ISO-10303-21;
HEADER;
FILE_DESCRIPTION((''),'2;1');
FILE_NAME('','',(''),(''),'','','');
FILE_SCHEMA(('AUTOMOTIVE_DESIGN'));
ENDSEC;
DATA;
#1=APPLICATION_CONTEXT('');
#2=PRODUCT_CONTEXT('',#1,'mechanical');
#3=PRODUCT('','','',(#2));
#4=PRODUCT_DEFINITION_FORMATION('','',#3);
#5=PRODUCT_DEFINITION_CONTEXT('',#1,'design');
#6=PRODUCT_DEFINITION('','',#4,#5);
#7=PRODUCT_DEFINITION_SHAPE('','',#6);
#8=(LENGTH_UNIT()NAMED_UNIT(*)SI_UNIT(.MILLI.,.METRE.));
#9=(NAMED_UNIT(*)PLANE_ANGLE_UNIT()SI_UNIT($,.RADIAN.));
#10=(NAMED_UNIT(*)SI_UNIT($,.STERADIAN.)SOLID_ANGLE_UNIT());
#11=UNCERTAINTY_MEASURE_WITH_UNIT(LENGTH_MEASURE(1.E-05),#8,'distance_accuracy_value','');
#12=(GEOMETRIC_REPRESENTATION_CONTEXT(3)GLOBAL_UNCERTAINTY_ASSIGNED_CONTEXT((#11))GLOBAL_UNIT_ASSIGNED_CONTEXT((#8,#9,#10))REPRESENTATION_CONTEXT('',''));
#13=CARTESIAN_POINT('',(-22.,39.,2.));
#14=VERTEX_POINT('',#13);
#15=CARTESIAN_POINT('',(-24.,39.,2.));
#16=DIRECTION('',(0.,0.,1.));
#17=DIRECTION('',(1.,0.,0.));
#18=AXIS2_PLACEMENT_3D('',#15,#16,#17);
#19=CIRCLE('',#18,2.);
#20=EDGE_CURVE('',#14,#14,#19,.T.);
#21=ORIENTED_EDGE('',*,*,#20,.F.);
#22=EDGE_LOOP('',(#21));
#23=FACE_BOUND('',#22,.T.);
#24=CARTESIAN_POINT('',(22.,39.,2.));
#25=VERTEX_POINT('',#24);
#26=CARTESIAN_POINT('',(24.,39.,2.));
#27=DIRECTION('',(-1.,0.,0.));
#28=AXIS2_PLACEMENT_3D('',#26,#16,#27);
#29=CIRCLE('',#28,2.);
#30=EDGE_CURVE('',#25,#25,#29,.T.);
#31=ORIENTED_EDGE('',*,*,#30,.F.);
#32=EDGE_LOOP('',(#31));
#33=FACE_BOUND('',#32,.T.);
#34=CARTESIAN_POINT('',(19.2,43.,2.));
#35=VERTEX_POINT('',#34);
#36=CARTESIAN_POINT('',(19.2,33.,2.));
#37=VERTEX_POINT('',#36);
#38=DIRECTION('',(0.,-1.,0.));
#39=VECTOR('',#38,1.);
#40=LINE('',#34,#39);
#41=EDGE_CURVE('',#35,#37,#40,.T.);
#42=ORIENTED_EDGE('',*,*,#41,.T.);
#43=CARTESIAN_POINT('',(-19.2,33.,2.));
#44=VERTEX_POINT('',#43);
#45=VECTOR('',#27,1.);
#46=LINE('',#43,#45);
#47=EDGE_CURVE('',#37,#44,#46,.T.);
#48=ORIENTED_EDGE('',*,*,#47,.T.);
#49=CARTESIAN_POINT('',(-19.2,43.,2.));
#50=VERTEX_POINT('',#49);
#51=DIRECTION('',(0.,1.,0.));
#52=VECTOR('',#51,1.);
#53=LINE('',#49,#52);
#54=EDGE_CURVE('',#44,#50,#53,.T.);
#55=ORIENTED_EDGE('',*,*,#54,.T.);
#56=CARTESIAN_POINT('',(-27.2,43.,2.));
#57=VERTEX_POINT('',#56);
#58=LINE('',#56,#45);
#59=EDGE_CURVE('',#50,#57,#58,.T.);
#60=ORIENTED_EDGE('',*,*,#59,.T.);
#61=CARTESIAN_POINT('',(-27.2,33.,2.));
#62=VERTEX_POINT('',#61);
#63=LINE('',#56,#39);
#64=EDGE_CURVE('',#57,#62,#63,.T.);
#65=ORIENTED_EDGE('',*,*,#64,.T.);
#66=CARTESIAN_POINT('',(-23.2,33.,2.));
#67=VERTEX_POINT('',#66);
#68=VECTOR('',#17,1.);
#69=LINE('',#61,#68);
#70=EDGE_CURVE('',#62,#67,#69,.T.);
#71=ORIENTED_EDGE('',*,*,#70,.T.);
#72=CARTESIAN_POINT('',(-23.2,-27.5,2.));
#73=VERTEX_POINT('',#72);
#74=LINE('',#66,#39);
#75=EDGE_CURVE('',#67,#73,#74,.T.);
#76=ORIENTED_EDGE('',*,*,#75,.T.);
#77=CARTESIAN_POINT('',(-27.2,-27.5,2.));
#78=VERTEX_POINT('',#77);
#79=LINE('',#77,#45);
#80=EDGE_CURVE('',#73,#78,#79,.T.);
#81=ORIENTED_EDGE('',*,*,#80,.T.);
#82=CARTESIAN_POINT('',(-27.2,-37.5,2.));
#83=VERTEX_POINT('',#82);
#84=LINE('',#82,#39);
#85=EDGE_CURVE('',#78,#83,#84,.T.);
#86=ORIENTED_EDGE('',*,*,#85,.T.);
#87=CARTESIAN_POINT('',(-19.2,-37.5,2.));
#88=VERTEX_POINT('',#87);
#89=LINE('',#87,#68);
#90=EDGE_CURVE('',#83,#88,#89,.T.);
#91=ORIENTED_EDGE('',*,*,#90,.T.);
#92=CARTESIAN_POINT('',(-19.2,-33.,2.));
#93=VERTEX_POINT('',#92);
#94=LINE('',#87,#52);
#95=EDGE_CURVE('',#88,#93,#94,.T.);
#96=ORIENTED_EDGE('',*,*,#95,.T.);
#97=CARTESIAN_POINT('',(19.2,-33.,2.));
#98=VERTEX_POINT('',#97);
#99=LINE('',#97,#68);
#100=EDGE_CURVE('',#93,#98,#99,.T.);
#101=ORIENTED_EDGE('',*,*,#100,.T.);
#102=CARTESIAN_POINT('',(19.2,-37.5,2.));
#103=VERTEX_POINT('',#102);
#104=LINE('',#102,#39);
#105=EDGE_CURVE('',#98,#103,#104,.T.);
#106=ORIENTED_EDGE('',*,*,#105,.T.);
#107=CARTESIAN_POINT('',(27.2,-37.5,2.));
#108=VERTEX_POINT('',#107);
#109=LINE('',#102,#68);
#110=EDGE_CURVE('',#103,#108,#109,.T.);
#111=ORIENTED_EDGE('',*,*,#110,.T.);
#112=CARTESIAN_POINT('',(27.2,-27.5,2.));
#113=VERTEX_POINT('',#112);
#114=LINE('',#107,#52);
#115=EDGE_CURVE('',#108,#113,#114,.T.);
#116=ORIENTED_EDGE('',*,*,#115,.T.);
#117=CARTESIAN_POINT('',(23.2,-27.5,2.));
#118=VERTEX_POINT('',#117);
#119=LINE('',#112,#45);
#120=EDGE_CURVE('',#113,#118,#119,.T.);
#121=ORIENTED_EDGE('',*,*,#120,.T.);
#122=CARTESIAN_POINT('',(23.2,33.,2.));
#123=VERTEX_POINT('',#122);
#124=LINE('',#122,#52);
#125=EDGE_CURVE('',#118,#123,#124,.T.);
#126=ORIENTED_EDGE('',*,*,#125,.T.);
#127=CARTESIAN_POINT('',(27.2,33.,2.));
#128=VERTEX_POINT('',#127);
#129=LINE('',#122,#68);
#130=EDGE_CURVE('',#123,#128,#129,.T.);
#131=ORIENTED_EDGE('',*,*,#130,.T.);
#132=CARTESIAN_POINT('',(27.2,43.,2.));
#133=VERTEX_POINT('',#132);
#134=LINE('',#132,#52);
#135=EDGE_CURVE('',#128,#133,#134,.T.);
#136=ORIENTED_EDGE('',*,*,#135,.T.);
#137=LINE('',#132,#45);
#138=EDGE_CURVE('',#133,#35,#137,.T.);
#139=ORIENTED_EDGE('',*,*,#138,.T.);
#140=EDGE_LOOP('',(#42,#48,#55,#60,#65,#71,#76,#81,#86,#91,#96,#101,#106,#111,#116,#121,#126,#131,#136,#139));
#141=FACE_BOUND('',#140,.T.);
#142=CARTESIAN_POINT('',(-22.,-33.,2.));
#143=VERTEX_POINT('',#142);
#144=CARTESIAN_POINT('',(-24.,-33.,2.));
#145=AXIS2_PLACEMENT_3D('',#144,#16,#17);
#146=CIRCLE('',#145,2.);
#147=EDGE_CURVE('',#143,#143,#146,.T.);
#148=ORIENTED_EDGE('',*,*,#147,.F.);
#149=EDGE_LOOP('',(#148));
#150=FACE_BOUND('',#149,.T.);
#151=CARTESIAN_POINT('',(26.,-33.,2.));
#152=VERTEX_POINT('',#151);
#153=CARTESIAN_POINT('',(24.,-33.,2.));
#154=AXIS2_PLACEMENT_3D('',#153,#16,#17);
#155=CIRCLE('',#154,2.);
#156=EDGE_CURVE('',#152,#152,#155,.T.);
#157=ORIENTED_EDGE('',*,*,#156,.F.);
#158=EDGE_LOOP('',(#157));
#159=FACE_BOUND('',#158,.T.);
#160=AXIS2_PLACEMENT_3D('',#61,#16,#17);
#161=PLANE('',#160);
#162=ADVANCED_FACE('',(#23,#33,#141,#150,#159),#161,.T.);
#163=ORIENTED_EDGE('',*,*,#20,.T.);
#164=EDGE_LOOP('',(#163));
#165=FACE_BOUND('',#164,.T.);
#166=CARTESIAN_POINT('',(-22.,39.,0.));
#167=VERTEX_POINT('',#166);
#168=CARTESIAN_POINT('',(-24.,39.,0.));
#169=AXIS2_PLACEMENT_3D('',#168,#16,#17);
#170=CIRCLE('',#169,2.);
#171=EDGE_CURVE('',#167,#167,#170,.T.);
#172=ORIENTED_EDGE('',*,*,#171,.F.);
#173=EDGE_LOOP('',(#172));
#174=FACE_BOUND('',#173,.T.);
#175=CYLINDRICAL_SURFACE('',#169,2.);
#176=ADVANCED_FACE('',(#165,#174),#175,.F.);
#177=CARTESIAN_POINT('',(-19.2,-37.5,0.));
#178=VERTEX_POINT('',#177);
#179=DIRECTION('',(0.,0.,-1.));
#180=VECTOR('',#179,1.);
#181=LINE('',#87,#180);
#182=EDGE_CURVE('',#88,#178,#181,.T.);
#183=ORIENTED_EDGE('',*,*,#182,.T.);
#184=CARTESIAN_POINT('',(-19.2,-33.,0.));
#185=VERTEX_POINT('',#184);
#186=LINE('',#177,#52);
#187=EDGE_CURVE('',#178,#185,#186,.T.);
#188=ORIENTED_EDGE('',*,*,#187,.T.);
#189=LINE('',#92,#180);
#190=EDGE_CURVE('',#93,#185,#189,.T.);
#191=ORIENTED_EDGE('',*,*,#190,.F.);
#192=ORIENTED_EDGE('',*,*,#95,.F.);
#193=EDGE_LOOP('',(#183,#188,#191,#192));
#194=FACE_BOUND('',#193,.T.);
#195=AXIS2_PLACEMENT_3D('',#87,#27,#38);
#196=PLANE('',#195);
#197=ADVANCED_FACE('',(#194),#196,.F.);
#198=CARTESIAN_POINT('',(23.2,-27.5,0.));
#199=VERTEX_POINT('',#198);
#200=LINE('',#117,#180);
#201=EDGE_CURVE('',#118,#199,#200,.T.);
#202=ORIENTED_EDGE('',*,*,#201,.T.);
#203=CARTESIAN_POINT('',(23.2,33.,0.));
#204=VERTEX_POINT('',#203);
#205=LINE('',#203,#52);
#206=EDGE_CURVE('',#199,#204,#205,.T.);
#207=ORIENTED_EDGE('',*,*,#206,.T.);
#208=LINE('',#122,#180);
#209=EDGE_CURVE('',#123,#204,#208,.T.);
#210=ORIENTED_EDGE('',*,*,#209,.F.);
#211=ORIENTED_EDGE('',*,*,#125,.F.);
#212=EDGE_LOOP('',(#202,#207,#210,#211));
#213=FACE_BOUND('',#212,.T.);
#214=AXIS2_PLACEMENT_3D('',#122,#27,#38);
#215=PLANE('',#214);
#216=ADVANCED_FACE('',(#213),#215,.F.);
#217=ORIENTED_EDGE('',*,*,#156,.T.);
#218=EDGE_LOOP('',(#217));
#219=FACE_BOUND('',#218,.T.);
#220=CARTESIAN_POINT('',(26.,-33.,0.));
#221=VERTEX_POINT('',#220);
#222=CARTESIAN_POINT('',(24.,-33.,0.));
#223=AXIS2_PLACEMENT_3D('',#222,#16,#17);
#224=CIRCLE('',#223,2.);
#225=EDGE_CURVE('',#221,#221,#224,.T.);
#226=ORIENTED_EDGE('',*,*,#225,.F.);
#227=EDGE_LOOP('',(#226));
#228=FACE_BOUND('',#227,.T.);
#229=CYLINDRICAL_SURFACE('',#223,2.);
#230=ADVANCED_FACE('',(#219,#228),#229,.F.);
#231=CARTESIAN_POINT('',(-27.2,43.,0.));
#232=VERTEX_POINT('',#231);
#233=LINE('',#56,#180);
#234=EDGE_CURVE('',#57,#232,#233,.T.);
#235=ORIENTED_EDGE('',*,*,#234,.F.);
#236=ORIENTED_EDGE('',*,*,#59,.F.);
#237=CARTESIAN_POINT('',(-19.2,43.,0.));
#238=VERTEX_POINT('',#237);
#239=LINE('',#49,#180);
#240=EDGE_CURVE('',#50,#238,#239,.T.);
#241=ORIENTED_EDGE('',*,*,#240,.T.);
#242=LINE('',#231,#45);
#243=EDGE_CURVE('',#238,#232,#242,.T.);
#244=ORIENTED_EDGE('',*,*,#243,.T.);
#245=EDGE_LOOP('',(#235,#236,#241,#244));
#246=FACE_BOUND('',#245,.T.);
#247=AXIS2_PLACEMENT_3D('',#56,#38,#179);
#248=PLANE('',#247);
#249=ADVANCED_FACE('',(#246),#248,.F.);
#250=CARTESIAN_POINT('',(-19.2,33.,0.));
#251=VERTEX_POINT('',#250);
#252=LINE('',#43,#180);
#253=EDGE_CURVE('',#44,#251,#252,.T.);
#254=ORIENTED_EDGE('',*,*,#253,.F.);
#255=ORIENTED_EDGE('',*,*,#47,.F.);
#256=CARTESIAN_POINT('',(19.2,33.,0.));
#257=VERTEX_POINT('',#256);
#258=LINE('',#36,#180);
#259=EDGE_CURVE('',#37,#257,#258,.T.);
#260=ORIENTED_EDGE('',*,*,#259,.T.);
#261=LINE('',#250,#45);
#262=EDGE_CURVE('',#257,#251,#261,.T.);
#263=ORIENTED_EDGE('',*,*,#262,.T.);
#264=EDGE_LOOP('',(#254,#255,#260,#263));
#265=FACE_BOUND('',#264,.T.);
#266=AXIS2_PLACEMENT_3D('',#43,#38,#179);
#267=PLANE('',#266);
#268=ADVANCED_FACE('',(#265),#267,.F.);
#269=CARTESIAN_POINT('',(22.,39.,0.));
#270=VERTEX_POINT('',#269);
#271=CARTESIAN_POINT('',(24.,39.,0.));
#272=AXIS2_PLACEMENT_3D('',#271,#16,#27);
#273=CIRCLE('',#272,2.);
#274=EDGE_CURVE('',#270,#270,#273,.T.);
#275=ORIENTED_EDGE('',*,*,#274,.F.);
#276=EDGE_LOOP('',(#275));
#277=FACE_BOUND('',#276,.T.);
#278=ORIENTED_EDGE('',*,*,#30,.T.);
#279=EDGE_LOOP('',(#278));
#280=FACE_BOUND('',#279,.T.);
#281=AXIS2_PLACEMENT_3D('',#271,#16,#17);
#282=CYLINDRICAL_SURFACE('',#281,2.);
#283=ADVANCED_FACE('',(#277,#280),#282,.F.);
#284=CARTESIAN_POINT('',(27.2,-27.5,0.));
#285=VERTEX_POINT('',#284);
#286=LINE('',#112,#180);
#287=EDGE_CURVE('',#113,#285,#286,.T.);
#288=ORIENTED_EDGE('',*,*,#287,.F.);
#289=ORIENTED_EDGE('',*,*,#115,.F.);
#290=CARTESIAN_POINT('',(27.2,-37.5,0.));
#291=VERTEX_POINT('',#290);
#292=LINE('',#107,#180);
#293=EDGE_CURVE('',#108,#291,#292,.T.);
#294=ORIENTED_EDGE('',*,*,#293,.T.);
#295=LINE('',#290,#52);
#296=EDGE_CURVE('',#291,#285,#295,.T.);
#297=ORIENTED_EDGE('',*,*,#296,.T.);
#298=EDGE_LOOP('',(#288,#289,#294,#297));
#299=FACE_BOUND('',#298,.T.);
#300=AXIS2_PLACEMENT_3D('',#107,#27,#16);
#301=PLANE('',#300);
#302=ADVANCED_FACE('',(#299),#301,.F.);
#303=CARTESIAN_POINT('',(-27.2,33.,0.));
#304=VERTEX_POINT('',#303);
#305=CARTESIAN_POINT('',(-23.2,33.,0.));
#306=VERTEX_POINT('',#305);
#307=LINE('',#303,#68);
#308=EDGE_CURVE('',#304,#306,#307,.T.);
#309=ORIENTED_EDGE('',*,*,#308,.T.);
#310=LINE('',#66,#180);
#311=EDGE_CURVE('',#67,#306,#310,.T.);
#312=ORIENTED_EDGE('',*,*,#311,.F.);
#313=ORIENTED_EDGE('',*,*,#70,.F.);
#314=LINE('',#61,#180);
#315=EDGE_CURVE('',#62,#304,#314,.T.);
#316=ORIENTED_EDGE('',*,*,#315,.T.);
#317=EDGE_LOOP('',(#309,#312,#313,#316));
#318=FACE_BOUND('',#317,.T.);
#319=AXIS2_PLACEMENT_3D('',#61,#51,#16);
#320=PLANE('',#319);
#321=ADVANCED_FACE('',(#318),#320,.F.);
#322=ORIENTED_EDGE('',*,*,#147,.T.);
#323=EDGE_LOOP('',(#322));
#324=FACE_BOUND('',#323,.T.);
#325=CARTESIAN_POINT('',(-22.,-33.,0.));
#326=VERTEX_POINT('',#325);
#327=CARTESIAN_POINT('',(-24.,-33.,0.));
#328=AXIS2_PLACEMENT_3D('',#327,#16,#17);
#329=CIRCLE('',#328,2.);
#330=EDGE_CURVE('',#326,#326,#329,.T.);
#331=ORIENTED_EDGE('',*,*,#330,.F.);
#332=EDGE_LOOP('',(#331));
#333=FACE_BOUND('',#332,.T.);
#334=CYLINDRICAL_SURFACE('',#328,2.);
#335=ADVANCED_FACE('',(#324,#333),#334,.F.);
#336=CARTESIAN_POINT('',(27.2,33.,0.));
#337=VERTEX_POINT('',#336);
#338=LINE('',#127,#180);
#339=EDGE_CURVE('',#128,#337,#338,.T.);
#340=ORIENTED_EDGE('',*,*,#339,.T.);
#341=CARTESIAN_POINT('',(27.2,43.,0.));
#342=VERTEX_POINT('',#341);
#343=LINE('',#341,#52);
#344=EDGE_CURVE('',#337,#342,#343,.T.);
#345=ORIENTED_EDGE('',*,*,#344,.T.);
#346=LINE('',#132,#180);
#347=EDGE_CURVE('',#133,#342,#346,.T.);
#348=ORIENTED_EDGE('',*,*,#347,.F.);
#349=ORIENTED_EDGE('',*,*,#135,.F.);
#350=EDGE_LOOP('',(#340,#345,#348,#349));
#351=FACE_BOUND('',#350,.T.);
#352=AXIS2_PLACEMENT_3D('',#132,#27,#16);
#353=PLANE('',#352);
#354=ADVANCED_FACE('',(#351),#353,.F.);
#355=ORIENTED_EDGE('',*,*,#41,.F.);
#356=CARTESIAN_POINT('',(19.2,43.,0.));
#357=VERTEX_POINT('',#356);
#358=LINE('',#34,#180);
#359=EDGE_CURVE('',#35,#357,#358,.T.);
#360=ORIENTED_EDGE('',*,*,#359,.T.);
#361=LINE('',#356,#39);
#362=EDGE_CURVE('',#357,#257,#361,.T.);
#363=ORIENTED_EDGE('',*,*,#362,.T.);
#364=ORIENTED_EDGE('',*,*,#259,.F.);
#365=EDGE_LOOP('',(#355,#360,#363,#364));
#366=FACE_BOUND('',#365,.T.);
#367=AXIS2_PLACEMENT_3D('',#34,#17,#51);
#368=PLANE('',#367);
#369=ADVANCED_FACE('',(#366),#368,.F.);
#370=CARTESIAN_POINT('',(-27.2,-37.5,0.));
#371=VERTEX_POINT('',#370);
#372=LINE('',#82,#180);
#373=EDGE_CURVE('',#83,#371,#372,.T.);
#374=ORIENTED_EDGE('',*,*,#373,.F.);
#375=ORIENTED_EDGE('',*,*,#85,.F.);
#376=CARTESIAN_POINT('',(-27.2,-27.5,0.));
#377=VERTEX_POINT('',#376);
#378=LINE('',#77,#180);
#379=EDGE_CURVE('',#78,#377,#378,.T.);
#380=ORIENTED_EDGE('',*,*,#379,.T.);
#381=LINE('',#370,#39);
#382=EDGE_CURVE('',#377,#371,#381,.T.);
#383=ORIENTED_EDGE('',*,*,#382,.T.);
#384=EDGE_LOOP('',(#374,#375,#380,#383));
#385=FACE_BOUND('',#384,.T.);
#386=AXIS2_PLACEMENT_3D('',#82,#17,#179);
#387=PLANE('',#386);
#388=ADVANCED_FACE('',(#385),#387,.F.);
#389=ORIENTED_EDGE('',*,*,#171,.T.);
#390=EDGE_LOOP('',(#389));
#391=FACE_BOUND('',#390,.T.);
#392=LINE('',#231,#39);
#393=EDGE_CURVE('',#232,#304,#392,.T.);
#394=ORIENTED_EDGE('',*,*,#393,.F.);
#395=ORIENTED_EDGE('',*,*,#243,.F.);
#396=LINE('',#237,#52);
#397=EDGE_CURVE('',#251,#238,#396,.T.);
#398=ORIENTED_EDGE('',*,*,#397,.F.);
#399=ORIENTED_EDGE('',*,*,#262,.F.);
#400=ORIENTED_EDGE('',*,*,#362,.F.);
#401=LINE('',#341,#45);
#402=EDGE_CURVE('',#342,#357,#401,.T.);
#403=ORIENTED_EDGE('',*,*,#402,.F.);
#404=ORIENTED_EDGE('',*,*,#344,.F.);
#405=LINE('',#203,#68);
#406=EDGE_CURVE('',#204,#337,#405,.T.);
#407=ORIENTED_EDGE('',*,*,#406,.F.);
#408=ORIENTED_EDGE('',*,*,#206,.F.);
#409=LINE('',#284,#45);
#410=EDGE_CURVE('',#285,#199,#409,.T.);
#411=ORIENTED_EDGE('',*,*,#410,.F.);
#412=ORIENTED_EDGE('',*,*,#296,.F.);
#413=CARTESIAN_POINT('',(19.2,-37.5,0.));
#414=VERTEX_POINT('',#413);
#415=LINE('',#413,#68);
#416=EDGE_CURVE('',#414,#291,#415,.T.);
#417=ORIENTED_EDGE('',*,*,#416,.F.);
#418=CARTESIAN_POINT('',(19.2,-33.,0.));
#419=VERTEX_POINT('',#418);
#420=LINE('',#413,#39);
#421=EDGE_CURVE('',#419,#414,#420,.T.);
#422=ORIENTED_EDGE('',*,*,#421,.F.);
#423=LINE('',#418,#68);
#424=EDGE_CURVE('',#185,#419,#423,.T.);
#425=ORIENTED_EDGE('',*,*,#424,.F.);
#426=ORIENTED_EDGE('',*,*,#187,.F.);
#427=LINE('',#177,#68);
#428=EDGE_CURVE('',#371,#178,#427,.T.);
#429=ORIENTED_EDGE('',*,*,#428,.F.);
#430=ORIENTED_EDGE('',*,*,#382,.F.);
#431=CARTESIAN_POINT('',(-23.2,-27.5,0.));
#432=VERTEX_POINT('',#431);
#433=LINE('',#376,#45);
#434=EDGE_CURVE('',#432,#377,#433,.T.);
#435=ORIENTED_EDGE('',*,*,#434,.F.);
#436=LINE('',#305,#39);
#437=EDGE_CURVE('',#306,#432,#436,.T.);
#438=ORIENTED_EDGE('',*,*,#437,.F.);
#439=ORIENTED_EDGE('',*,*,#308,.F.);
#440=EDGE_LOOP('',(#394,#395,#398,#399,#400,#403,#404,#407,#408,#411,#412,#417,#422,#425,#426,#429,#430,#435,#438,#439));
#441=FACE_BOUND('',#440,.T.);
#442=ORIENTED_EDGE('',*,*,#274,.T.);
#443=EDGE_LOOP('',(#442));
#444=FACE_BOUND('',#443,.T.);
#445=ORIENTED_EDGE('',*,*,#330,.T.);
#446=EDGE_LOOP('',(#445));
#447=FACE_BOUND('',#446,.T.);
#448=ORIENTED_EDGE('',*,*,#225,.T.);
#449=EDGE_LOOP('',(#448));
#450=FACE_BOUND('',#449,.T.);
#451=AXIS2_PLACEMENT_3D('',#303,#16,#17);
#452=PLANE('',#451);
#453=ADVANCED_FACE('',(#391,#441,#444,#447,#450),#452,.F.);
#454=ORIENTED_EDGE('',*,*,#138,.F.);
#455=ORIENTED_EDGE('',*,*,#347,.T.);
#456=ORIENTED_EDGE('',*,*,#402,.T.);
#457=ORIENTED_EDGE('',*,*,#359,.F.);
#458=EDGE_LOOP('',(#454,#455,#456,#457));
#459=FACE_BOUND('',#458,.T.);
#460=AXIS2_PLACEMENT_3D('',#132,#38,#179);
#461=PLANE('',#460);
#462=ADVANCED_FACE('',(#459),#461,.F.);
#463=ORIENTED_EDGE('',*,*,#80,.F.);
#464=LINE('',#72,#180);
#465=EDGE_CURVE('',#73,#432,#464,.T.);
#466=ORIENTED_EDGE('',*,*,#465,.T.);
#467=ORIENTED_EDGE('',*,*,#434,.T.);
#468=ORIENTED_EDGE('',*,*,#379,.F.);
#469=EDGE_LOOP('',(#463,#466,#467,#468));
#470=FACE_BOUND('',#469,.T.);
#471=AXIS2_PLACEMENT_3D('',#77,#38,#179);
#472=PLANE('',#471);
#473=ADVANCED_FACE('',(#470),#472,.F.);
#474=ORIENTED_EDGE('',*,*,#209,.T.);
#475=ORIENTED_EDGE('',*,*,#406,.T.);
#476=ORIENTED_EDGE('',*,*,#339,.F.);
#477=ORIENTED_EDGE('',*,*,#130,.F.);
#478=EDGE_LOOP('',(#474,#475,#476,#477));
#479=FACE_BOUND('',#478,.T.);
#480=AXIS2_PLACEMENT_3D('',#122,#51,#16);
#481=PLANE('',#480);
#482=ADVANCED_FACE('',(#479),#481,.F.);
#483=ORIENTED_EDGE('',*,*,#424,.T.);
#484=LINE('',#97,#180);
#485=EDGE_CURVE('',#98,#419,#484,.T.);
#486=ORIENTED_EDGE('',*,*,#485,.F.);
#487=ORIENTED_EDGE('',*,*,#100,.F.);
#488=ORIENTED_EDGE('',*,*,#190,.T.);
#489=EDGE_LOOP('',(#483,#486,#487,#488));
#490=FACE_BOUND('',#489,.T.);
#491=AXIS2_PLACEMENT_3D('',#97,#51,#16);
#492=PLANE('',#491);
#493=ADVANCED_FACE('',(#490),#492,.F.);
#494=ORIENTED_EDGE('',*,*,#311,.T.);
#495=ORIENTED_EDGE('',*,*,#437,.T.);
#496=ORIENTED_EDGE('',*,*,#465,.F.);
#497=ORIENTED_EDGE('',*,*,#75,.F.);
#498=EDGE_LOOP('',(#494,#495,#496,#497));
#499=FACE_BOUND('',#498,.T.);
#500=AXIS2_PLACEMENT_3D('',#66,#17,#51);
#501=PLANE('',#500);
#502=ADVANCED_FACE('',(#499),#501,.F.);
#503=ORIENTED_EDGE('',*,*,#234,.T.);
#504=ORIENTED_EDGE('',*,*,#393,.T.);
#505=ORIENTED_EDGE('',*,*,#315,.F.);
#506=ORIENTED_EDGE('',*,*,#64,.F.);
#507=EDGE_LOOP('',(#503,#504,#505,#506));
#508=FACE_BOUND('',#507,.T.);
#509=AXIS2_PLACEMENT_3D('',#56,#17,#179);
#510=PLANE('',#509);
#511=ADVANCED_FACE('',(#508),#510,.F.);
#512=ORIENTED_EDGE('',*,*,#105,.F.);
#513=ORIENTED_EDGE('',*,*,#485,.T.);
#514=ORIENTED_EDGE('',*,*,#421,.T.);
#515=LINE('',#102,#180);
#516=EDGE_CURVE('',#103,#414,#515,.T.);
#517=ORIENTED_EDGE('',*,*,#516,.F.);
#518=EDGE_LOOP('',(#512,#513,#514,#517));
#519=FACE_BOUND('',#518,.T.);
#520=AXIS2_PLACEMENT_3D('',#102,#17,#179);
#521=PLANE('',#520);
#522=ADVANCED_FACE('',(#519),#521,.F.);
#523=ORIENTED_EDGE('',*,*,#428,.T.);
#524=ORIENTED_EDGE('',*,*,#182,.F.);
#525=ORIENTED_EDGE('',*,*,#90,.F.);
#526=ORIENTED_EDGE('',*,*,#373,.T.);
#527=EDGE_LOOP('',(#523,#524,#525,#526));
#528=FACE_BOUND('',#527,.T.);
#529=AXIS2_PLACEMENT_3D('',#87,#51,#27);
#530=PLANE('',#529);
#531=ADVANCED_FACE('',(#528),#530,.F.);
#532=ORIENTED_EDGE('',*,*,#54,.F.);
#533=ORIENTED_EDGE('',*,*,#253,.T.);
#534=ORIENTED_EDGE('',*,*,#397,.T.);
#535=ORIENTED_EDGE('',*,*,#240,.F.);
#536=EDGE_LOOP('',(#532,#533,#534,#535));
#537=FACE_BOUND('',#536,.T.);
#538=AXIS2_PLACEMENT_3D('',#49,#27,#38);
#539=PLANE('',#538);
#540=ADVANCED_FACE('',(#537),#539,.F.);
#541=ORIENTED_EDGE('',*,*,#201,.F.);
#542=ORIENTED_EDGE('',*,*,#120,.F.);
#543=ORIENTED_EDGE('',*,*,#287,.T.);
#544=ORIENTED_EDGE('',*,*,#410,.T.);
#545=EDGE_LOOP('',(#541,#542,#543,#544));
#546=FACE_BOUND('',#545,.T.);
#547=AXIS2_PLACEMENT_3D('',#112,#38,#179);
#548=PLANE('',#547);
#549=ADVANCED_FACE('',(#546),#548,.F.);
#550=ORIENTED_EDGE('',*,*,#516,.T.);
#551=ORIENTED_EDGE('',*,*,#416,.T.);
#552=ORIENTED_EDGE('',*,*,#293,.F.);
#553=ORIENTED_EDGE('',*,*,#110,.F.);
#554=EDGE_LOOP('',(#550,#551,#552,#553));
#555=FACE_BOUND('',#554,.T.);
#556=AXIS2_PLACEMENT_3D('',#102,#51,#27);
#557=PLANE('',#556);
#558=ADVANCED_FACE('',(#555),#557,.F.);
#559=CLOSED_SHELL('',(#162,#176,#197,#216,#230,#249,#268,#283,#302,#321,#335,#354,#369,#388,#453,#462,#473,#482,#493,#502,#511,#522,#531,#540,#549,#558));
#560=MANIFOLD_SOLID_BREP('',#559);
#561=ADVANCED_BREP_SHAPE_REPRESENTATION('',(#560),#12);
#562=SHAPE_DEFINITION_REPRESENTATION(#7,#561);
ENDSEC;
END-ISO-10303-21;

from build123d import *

# Parameters (mm, degrees)
EXTRUSION1_DEPTH        = 2
ESQUISSE2_R             = 2
ENL_V_MAT_EXTRU_1_DEPTH = 3


with BuildPart() as part:
    # Esquisse1 → Extrusion1 (new body)
    with BuildSketch(Plane.XY):
        Polygon((-19.2, 33), (19.2, 33), (19.2, 43), (27.2, 43), (27.2, 33), (23.2, 33), (23.2, -27.5), (27.2, -27.5), (27.2, -37.5), (19.2, -37.5), (19.2, -33), (-19.2, -33), (-19.2, -37.5), (-27.2, -37.5), (-27.2, -27.5), (-23.2, -27.5), (-23.2, 33), (-27.2, 33), (-27.2, 43), (-19.2, 43), align=None)
    extrude(amount=EXTRUSION1_DEPTH)

    # Esquisse2 → Enlèv. mat.-Extru.1 (cut, through all)
    with BuildSketch(Plane.XY.offset(2)):
        with Locations((-24, 39)):
            Circle(ESQUISSE2_R)
        with Locations((24, 39)):
            Circle(ESQUISSE2_R)
        with Locations((-24, -33)):
            Circle(ESQUISSE2_R)
        with Locations((24, -33)):
            Circle(ESQUISSE2_R)
    extrude(amount=-ENL_V_MAT_EXTRU_1_DEPTH, mode=Mode.SUBTRACT)


solid = part.part
